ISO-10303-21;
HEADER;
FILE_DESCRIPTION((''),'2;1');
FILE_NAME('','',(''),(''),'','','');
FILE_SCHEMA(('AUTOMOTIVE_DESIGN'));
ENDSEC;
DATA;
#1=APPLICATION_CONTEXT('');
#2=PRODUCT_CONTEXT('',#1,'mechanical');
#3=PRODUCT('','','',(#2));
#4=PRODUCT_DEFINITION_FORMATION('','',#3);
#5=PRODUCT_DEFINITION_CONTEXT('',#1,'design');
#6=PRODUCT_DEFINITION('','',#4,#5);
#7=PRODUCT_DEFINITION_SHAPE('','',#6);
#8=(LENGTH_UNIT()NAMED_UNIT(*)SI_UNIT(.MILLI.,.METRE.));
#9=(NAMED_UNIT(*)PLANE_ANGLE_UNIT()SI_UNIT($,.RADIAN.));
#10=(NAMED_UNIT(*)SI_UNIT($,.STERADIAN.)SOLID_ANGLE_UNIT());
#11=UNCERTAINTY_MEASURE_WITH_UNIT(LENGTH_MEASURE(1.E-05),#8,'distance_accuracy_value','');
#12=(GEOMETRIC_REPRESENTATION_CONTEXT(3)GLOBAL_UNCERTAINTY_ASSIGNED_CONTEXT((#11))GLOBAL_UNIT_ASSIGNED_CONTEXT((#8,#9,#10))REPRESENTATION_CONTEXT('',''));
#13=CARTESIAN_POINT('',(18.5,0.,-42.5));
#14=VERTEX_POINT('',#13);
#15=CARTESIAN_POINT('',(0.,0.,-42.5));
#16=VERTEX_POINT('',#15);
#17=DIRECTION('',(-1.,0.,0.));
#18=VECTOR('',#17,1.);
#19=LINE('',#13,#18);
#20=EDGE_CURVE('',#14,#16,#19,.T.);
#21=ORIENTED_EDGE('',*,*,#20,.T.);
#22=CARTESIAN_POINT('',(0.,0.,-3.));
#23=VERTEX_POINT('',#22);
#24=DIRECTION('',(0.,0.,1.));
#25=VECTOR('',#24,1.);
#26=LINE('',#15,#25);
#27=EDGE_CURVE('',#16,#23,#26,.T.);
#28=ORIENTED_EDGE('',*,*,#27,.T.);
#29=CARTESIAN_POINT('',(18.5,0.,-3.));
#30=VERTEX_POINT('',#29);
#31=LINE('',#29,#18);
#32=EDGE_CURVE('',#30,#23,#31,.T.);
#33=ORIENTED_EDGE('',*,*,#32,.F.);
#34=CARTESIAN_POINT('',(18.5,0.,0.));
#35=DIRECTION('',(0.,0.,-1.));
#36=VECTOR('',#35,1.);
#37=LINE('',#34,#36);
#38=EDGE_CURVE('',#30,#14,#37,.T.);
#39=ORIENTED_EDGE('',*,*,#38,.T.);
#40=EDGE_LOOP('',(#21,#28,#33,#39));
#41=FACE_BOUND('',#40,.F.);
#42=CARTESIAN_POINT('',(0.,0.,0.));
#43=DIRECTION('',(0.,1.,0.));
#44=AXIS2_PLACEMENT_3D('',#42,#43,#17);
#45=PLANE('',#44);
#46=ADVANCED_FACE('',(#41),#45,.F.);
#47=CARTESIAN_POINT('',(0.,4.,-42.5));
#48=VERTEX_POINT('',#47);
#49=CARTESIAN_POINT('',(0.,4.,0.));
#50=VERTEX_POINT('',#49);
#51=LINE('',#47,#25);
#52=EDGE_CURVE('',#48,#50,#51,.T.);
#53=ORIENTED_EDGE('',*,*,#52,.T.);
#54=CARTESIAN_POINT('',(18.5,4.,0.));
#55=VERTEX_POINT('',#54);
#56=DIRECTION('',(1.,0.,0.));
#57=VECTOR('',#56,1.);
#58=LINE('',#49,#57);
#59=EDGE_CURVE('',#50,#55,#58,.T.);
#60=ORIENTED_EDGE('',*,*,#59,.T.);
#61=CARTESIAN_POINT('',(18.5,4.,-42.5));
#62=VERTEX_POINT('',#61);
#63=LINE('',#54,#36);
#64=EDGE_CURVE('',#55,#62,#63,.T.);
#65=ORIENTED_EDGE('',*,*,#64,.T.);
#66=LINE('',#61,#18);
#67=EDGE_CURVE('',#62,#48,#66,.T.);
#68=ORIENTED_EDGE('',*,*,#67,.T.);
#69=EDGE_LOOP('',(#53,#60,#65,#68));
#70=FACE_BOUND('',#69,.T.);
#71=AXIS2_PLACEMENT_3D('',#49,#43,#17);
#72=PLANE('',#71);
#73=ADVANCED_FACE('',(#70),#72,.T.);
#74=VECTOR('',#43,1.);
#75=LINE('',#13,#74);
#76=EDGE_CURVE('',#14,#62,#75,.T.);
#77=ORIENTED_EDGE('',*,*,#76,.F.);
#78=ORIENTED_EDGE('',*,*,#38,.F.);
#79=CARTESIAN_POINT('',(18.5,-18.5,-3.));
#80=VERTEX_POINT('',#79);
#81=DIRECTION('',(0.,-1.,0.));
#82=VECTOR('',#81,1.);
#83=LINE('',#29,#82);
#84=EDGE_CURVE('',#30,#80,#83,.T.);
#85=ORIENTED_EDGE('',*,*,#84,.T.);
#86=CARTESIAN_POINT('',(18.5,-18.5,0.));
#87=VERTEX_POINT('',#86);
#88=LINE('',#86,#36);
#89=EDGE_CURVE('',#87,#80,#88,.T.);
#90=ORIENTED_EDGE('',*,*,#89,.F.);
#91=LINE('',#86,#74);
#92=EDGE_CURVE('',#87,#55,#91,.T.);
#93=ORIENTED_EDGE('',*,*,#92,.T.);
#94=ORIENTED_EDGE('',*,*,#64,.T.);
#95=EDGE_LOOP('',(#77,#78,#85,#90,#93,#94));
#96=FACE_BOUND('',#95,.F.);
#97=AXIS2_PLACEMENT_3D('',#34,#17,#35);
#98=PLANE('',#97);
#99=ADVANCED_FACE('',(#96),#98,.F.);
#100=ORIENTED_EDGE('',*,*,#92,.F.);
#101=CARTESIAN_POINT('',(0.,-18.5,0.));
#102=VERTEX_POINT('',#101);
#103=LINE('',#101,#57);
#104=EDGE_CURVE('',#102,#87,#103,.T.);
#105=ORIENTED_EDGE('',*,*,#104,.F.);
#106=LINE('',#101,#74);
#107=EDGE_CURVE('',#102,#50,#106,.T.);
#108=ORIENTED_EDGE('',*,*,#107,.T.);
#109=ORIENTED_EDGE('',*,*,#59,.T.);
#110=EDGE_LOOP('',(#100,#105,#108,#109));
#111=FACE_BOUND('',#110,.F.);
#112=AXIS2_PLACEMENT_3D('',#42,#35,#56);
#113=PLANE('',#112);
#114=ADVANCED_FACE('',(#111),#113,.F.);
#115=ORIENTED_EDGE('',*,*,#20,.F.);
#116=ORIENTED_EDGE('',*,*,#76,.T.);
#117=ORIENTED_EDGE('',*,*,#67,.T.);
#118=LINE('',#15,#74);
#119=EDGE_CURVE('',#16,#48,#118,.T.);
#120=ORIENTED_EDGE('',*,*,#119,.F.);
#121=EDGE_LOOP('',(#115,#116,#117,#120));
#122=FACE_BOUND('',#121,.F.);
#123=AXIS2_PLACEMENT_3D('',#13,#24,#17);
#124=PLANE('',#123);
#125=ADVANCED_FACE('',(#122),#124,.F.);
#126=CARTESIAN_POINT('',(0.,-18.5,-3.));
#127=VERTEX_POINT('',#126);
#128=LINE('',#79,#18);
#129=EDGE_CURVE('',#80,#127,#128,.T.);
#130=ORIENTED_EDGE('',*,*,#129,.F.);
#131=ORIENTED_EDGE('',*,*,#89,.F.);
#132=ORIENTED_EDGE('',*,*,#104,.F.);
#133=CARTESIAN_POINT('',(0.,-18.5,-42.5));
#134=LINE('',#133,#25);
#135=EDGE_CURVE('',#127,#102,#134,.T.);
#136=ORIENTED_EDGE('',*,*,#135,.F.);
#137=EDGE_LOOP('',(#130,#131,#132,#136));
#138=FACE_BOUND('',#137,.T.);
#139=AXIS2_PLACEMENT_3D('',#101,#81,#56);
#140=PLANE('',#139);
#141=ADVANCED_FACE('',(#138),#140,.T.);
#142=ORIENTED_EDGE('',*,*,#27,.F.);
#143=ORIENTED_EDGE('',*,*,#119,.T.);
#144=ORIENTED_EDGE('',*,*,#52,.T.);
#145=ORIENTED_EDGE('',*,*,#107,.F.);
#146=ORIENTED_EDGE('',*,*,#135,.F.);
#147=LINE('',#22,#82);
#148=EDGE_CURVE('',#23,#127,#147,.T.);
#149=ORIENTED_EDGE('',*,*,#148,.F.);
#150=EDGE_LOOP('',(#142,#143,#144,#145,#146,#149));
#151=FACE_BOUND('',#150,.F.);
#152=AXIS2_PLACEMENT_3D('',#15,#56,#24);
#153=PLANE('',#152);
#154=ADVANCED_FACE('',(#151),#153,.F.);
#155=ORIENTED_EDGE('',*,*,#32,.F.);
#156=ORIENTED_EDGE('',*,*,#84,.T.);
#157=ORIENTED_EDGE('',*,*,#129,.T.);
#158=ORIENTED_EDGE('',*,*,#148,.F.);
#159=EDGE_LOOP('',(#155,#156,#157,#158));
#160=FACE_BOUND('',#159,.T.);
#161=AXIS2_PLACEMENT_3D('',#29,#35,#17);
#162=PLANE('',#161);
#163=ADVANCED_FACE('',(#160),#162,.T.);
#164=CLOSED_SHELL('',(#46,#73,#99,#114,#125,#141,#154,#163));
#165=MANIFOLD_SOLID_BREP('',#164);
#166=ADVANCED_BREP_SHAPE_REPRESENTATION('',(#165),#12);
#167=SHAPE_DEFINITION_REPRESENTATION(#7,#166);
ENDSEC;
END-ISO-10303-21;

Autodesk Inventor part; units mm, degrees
ref_plane "YZ Plane" through (0, 0, 0) normal (1, 0, 0) x (0, 1, 0)
ref_plane "XZ Plane" through (0, 0, 0) normal (0, 1, 0) x (-1, 0, 0)
ref_plane "XY Plane" through (0, 0, 0) normal (0, 0, 1) x (1, 0, 0)
sketch "Sketch1" plane through (0, 0, 0) normal (0, 1, 0) x (-1, 0, 0)
  line L0 (0, 0) -> (-18.5, 0)
  line L1 (-18.5, 0) -> (-18.5, -42.5)
  line L2 (-18.5, -42.5) -> (0, -42.5)
  line L3 (0, -42.5) -> (0, 0)
  dimension "d0" = 18.5
  dimension "d1" = 42.5
extrude "Extrusion1" add sketch "Sketch1" along normal blind 4
sketch "Sketch2" plane through (0, 0, 0) normal (0, -1, 0) x (1, 0, 0)
  line L0 (0, -42.5) -> (0, 0) projected
  line L1 (18.5, 0) -> (18.5, -42.5) projected
  line L2 (0, 0) -> (18.5, 0)
  line L3 (18.5, 0) -> (18.5, -3)
  line L4 (18.5, -3) -> (0, -3)
  line L5 (0, -3) -> (0, 0)
  dimension "d4" = 3
extrude "Extrusion2" add sketch "Sketch2" along normal blind 18.5
sketch "Sketch3" plane through (0, 4, 0) normal (0, 1, 0) x (1, 0, 0)
  line L0 (1.2509, 3.5794) -> (17.7774, 3.5794) construction
  line L1 (17.7774, 3.5794) -> (17.7774, 0.9324) construction
  line L2 (17.7774, 0.9324) -> (1.2509, 0.9324) construction
  line L3 (1.2509, 0.9324) -> (1.2509, 3.5794) construction
  line L4 (7.0482, 14.2862) -> (7.0482, 39.4285) construction
  line L5 (7.0482, 39.4285) -> (10.2049, 39.4285) construction
  line L6 (10.2049, 39.4285) -> (10.2049, 14.2862) construction
  line L7 (10.2049, 14.2862) -> (7.0482, 14.2862) construction
  point P0 (0, 0)
  dimension "d2" = 4
  dimension "d3" = 0
properties part number "controller_reveiver"
